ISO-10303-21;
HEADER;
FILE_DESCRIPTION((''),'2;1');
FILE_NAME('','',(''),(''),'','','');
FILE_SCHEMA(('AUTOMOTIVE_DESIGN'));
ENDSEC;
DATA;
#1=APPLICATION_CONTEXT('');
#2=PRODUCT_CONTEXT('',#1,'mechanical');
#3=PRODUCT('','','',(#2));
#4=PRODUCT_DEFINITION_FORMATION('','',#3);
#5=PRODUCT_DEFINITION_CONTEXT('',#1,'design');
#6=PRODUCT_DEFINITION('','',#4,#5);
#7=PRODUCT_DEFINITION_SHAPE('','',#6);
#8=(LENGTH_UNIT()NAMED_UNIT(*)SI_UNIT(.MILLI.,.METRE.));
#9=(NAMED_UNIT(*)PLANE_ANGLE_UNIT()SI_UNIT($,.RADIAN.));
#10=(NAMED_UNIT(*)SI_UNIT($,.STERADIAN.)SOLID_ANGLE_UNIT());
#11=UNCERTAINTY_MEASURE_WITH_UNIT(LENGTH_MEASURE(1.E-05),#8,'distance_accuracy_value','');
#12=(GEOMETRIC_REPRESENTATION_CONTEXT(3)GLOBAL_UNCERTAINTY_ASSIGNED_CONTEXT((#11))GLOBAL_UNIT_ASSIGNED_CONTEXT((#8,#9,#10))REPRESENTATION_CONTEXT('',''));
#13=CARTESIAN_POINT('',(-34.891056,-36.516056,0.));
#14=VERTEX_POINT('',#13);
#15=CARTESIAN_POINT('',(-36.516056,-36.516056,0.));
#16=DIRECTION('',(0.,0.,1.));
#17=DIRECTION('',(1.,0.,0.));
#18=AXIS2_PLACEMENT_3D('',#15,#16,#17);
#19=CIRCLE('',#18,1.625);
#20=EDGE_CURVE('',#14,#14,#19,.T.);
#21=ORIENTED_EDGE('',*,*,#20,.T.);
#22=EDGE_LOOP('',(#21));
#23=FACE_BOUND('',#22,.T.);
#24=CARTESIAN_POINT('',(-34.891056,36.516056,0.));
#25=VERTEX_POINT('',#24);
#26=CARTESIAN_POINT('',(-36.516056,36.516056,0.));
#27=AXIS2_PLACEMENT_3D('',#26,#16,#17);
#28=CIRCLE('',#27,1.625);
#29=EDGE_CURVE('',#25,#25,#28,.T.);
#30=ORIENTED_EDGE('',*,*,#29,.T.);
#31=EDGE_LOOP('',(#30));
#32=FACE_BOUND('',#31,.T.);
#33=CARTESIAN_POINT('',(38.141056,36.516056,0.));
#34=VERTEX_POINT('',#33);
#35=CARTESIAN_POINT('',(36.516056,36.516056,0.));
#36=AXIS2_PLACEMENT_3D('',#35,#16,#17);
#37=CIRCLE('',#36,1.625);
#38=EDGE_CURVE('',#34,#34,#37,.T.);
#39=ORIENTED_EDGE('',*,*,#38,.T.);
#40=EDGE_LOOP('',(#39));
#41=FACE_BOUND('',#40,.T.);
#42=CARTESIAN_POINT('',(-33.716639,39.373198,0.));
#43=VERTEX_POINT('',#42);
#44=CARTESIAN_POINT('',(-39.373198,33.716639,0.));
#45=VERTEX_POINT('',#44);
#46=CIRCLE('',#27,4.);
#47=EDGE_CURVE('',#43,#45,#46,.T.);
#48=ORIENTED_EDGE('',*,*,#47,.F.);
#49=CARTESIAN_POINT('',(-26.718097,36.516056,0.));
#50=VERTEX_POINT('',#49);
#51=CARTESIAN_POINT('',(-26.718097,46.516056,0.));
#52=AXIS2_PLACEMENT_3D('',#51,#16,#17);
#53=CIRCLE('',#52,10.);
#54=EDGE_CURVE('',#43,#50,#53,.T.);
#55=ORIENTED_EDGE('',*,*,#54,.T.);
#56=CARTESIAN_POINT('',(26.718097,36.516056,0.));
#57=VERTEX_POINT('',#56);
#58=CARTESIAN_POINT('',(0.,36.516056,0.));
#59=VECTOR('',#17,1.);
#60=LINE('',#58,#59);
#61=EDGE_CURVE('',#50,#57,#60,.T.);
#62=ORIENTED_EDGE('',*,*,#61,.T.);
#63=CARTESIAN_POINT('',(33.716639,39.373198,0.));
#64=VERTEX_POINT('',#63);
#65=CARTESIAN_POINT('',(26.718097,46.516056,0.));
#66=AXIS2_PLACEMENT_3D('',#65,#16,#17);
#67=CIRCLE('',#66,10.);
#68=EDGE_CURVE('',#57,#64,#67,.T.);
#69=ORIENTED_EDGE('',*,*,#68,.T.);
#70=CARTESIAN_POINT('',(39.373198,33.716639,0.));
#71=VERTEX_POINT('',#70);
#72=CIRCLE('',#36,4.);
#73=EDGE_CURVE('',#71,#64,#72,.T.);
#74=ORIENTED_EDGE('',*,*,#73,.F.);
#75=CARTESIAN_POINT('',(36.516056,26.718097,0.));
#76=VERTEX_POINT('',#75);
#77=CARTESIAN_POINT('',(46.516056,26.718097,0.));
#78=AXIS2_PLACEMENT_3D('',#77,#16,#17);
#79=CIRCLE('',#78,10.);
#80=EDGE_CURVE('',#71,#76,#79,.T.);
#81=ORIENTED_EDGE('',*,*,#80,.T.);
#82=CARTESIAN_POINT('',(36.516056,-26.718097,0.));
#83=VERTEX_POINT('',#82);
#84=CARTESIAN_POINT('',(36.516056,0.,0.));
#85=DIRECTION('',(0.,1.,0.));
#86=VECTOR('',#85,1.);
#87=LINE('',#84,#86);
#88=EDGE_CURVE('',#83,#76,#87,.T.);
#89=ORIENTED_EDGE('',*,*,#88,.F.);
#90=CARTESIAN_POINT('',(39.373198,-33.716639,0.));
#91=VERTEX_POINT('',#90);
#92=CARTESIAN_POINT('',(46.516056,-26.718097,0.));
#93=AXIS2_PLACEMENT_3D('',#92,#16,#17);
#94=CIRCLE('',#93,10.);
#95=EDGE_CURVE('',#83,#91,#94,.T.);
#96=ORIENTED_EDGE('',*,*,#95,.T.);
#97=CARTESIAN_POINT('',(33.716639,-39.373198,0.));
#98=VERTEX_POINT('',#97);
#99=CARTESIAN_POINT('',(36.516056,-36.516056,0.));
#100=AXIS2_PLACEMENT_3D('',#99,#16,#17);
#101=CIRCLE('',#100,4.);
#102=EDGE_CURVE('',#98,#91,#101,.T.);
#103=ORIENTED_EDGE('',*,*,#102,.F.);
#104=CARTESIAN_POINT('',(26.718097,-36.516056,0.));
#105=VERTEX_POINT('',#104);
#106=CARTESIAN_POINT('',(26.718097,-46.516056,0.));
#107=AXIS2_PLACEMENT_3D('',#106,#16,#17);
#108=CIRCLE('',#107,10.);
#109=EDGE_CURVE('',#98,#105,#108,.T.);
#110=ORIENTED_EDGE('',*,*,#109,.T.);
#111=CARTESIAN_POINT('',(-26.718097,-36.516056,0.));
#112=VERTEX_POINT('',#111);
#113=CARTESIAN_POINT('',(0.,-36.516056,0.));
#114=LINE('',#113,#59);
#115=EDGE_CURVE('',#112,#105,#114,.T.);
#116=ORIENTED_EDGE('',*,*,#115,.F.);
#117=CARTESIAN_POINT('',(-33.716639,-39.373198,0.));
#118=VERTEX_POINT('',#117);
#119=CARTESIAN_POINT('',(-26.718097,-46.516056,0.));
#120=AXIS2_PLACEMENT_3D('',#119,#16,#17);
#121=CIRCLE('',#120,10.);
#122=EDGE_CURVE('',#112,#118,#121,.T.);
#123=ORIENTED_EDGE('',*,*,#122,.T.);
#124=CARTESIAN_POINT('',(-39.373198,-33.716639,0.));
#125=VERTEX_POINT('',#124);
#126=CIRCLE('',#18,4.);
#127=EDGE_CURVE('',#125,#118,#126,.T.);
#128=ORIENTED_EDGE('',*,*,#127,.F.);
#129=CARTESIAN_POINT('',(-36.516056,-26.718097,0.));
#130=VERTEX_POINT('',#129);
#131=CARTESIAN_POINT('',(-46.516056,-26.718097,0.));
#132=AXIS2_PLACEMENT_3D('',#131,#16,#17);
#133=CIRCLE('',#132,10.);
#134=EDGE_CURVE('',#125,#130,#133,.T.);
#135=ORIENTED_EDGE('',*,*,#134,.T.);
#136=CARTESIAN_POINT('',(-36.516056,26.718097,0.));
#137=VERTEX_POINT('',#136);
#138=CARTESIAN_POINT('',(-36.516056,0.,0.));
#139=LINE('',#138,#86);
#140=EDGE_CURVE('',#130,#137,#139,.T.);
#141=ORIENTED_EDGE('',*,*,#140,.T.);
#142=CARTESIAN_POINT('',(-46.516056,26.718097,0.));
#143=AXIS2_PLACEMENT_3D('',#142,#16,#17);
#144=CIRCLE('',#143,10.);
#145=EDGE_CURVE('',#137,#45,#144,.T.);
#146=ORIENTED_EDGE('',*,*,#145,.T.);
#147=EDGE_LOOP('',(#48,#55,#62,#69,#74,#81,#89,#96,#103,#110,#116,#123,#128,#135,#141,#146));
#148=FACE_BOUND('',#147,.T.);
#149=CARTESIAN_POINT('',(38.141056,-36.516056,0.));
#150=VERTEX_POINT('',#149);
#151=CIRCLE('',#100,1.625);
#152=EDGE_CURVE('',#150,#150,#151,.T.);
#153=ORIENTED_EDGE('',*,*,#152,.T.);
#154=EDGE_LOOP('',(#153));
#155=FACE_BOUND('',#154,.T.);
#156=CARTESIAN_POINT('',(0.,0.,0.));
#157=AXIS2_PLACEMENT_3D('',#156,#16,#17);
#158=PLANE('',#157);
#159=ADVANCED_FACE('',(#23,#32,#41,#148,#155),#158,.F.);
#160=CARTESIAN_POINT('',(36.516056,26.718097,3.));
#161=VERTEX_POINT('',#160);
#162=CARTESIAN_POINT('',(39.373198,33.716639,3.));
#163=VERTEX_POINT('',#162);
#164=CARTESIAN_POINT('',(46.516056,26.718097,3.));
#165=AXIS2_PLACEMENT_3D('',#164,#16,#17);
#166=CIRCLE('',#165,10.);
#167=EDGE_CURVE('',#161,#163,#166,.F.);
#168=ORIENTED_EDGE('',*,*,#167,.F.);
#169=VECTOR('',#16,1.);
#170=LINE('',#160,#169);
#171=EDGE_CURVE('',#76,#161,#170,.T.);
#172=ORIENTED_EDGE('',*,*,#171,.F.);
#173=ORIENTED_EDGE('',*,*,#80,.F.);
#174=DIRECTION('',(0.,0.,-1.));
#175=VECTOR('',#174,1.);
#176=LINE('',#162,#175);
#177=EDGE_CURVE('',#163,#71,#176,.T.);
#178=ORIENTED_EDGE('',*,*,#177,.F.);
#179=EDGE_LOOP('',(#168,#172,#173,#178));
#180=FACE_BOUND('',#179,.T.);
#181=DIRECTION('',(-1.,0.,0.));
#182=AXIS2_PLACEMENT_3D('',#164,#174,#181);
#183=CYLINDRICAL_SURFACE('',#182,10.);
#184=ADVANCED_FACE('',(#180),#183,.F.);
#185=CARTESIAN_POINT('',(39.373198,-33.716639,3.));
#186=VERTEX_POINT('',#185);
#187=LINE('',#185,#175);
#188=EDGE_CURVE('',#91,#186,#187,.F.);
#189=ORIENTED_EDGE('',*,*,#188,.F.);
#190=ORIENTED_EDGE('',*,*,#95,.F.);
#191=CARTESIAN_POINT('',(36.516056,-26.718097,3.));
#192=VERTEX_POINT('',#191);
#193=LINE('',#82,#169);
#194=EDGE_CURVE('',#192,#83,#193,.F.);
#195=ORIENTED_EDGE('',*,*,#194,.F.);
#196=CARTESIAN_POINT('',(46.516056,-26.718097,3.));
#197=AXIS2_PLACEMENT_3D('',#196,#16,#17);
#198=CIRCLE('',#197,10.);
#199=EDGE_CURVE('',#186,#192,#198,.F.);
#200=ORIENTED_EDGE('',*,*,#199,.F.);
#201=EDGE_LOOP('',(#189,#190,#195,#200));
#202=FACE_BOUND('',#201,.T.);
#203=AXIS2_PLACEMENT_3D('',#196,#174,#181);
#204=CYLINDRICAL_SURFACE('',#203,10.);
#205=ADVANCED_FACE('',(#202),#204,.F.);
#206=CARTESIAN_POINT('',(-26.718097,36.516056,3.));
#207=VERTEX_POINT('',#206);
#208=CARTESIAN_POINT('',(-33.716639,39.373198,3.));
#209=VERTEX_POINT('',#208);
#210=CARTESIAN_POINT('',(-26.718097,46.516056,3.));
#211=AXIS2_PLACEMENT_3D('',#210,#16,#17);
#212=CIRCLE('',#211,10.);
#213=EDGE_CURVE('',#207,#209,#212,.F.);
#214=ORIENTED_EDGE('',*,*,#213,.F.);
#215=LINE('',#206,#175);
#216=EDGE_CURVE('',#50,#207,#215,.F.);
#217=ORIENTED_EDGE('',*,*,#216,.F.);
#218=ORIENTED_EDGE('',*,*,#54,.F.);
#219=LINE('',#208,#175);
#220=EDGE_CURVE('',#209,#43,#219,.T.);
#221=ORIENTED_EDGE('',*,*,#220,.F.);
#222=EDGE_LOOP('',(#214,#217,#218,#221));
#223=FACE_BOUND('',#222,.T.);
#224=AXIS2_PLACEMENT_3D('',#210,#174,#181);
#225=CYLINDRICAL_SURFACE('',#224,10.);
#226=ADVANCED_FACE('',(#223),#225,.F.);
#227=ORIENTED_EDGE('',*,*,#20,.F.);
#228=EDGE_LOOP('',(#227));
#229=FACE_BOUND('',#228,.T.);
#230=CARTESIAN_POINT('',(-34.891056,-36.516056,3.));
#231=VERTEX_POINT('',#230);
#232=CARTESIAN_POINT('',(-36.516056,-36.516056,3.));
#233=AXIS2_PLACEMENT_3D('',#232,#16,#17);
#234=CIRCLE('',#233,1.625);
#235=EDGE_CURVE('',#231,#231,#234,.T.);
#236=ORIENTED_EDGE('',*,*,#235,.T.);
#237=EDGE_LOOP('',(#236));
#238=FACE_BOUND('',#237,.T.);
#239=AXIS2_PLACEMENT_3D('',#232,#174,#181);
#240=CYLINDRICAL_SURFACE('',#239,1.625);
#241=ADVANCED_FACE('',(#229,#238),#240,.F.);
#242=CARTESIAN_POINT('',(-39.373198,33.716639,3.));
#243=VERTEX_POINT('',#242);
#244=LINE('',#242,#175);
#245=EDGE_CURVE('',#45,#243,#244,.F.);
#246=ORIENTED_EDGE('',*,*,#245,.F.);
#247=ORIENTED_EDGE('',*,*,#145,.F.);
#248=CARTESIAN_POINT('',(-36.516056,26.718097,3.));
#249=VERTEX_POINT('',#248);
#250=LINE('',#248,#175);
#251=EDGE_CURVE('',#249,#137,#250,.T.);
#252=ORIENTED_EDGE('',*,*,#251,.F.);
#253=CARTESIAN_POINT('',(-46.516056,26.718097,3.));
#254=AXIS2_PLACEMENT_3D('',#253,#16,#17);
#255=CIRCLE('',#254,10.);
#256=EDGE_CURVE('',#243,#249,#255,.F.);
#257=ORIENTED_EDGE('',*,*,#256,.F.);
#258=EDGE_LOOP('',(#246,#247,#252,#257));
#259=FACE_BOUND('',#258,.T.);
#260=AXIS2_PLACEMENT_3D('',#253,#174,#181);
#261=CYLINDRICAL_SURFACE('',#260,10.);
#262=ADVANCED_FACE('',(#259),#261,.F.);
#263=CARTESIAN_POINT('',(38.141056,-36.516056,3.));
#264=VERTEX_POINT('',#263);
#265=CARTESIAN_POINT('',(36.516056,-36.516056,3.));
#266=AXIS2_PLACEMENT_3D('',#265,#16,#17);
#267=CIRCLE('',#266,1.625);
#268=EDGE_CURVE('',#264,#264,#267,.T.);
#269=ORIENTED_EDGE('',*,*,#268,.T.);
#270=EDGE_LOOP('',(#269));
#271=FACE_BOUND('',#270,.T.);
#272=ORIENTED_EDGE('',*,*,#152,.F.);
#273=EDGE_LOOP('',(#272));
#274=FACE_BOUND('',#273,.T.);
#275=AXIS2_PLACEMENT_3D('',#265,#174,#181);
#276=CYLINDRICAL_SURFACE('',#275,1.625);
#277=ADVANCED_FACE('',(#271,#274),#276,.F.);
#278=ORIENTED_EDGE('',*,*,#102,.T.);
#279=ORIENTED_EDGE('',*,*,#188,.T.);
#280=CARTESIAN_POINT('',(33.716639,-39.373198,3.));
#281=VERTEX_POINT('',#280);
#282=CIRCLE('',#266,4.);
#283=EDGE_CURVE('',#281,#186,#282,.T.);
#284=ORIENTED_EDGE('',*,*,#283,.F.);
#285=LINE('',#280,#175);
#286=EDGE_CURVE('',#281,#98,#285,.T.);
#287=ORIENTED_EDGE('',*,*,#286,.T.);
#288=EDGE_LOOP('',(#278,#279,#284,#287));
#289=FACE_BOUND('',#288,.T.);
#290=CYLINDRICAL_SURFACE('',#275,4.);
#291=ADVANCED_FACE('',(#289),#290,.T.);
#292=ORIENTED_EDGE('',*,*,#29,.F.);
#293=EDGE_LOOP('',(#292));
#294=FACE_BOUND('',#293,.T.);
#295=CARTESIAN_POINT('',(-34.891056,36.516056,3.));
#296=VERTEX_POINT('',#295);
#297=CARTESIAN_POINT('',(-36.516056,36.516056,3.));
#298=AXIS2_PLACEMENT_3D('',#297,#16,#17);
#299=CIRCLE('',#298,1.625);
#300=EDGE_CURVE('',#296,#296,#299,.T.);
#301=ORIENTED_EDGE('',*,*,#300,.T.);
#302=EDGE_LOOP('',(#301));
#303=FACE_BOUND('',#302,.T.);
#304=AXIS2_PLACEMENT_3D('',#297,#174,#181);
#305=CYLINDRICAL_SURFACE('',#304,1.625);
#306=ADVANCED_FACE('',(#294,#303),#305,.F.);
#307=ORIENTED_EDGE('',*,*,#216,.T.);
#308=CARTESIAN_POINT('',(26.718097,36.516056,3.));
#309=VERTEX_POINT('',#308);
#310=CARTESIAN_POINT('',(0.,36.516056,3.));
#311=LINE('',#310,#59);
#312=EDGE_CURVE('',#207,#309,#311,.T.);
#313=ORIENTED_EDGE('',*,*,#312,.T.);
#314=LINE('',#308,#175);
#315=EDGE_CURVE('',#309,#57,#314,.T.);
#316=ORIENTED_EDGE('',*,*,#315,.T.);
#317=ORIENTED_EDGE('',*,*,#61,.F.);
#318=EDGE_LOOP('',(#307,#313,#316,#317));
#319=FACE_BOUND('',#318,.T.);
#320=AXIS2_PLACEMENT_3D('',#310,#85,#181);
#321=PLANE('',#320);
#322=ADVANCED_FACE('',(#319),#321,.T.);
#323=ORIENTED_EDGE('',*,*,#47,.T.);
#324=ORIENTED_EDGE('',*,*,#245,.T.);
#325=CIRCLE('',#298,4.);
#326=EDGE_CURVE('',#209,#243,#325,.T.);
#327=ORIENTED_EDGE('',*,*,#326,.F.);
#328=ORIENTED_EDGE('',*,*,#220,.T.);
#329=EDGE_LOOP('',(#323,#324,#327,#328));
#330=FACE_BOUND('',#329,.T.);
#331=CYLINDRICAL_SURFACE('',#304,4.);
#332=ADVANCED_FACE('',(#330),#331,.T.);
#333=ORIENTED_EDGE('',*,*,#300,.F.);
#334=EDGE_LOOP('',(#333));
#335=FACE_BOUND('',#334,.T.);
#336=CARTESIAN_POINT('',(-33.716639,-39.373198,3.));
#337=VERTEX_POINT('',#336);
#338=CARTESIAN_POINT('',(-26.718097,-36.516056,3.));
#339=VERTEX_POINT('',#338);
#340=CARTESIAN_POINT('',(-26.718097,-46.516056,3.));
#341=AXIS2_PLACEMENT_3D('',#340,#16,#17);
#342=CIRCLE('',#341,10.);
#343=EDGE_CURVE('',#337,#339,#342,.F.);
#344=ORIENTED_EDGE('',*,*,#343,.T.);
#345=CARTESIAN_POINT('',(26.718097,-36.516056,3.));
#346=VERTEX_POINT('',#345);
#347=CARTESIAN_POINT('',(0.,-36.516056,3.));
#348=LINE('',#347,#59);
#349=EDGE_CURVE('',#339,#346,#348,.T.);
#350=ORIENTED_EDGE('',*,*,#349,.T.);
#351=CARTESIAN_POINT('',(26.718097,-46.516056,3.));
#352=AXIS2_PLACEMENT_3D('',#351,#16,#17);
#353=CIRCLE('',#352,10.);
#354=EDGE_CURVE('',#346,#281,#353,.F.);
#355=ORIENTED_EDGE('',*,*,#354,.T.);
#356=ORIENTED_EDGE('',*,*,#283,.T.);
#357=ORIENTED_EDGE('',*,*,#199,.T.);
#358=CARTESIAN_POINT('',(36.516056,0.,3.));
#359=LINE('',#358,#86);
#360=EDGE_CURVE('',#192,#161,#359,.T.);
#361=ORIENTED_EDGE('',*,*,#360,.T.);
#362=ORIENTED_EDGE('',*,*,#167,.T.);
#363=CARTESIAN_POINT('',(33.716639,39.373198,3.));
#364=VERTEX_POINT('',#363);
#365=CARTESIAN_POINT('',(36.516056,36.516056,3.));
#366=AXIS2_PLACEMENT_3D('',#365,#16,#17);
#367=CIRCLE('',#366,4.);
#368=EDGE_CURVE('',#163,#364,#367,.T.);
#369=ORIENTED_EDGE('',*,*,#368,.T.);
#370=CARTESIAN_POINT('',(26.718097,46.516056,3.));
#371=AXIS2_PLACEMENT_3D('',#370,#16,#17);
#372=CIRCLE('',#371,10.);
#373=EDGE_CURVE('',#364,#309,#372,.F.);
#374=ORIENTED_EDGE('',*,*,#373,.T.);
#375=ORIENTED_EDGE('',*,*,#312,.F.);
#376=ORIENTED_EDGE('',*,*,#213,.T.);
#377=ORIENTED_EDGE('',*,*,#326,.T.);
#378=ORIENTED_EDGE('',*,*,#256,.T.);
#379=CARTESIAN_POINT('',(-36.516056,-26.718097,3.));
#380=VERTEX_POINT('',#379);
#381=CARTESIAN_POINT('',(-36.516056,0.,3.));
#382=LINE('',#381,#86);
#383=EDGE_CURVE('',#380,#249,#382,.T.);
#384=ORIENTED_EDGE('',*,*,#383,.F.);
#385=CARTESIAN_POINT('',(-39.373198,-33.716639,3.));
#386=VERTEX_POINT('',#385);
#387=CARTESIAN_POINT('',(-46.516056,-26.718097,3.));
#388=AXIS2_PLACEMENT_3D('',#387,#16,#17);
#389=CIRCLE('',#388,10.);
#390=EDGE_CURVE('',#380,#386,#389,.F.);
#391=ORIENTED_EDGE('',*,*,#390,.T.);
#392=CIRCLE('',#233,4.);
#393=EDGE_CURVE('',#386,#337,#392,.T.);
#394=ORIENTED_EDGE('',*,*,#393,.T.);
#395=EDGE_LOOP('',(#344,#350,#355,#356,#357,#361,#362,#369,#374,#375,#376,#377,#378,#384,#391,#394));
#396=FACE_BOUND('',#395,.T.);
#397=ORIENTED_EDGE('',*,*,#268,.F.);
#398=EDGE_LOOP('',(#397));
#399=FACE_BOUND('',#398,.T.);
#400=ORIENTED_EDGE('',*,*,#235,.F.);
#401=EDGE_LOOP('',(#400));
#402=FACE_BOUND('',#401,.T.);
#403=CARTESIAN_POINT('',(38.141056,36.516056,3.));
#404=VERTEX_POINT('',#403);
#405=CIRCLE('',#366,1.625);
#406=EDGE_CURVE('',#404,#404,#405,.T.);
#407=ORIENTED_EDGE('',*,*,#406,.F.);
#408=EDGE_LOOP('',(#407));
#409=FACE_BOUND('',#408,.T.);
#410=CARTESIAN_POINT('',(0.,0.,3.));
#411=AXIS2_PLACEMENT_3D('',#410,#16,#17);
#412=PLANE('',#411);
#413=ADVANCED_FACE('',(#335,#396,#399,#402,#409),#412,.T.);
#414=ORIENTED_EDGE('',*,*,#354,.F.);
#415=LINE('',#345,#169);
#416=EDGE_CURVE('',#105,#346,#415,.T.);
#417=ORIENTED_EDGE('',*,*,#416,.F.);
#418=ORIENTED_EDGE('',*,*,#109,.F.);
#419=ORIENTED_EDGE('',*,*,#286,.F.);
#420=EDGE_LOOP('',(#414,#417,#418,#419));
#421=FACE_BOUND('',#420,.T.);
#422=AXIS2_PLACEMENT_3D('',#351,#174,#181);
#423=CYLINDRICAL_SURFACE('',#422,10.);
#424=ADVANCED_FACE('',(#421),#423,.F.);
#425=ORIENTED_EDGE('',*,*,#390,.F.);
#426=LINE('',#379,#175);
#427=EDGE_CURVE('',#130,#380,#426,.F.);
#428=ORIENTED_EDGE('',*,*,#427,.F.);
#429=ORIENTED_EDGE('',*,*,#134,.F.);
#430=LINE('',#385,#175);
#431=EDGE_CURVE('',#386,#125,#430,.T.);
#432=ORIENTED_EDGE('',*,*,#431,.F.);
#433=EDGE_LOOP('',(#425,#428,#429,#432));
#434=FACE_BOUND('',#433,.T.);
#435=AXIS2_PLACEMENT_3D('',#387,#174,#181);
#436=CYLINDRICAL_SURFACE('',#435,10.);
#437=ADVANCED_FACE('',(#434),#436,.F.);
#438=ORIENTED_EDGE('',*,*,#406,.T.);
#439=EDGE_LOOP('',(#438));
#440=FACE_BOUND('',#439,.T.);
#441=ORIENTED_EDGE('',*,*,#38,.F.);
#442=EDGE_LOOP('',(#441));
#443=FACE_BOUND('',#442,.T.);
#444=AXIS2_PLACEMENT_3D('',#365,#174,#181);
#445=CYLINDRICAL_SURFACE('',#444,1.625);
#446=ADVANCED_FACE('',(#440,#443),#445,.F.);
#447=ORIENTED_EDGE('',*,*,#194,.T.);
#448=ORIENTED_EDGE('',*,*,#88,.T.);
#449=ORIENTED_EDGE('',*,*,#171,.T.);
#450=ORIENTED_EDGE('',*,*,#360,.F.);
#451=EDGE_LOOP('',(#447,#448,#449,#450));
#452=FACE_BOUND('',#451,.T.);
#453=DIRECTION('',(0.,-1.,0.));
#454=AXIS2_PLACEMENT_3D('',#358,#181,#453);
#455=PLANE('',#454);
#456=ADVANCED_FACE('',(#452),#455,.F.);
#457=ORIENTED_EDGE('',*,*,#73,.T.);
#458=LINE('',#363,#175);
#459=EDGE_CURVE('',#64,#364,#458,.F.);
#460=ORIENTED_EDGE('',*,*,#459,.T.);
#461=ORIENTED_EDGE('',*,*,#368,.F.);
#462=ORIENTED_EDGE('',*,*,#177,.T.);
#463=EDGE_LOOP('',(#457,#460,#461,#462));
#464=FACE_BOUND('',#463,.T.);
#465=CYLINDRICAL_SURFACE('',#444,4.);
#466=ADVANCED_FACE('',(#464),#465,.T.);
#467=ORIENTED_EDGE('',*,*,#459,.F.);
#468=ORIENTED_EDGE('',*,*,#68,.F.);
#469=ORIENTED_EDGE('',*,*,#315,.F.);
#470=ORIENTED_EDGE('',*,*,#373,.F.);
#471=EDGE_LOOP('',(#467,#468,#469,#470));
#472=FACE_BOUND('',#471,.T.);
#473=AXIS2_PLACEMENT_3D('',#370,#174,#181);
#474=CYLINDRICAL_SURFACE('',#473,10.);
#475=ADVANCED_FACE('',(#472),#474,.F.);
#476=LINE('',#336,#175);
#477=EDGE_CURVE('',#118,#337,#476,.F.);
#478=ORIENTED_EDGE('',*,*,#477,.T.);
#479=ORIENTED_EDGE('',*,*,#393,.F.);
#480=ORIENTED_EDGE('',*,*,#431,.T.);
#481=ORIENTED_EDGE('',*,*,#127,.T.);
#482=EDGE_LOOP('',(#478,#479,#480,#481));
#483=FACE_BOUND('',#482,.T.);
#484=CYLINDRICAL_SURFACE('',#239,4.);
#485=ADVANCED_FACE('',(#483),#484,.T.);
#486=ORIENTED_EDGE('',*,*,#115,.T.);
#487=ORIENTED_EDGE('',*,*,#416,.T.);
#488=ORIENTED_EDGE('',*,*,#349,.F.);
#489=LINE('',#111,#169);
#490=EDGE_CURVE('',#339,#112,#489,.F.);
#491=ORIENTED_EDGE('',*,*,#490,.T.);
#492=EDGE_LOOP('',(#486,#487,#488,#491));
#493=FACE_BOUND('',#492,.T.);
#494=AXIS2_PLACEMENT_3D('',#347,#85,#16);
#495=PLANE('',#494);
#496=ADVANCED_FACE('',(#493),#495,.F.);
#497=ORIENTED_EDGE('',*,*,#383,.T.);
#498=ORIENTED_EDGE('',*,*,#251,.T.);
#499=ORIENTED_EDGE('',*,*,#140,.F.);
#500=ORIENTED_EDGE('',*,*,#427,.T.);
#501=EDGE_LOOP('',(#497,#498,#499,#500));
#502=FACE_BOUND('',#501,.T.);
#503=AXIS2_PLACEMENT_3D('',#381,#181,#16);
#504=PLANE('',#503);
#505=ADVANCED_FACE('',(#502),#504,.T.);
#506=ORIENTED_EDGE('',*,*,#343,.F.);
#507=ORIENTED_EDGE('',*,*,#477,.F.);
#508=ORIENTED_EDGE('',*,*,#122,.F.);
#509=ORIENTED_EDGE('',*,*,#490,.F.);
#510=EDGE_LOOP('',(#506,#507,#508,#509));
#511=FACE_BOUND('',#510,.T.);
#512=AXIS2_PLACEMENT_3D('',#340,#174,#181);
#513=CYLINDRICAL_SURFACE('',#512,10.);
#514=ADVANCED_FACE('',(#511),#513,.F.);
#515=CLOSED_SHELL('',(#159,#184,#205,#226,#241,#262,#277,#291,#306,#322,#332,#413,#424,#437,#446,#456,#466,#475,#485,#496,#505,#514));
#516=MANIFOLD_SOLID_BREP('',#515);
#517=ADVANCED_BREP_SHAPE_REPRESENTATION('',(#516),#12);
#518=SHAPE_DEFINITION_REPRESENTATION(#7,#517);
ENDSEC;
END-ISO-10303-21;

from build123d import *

# Parameters (mm, degrees)
SKETCH_1_R      = 1.625
EXTRUDE_1_DEPTH = 3
FILLET_1_R      = 10


with BuildPart() as part:
    # Эскиз1 → Бобышка-Вытянуть1 (new body)
    with BuildSketch(Plane.XY):
        with BuildLine():
            ThreePointArc((-36.516055554, -32.516055554), (-39.344482678, -39.344482678), (-32.516055554, -36.516055554))
            Line((-32.516055554, -36.516055554), (32.516055554, -36.516055554))
            ThreePointArc((32.516055554, -36.516055554), (39.344482678, -39.344482678), (36.516055554, -32.516055554))
            Line((36.516055554, -32.516055554), (36.516055554, 32.516055554))
            ThreePointArc((36.516055554, 32.516055554), (39.344482678, 39.344482678), (32.516055554, 36.516055554))
            Line((32.516055554, 36.516055554), (-32.516055554, 36.516055554))
            ThreePointArc((-32.516055554, 36.516055554), (-39.344482678, 39.344482678), (-36.516055554, 32.516055554))
            Line((-36.516055554, 32.516055554), (-36.516055554, -32.516055554))
        make_face()
        with Locations((-36.516055554, -36.516055554)):
            Circle(SKETCH_1_R, mode=Mode.SUBTRACT)
        with Locations((36.516055554, 36.516055554)):
            Circle(SKETCH_1_R, mode=Mode.SUBTRACT)
        with Locations((-36.516055554, 36.516055554)):
            Circle(SKETCH_1_R, mode=Mode.SUBTRACT)
        with Locations((36.516055554, -36.516055554)):
            Circle(SKETCH_1_R, mode=Mode.SUBTRACT)
    extrude(amount=EXTRUDE_1_DEPTH)

    # Скругление1
    fillet_1_edges = [part.edges().sort_by_distance(p)[0] for p in [
        (-36.516055554, -32.516055554, 1.5),
        (-36.516055554, 32.516055554, 1.5),
        (-32.516055554, 36.516055554, 1.5),
        (32.516055554, 36.516055554, 1.5),
        (36.516055554, 32.516055554, 1.5),
        (36.516055554, -32.516055554, 1.5),
        (32.516055554, -36.516055554, 1.5),
        (-32.516055554, -36.516055554, 1.5),
    ]]
    fillet(fillet_1_edges, radius=FILLET_1_R)


solid = part.part
